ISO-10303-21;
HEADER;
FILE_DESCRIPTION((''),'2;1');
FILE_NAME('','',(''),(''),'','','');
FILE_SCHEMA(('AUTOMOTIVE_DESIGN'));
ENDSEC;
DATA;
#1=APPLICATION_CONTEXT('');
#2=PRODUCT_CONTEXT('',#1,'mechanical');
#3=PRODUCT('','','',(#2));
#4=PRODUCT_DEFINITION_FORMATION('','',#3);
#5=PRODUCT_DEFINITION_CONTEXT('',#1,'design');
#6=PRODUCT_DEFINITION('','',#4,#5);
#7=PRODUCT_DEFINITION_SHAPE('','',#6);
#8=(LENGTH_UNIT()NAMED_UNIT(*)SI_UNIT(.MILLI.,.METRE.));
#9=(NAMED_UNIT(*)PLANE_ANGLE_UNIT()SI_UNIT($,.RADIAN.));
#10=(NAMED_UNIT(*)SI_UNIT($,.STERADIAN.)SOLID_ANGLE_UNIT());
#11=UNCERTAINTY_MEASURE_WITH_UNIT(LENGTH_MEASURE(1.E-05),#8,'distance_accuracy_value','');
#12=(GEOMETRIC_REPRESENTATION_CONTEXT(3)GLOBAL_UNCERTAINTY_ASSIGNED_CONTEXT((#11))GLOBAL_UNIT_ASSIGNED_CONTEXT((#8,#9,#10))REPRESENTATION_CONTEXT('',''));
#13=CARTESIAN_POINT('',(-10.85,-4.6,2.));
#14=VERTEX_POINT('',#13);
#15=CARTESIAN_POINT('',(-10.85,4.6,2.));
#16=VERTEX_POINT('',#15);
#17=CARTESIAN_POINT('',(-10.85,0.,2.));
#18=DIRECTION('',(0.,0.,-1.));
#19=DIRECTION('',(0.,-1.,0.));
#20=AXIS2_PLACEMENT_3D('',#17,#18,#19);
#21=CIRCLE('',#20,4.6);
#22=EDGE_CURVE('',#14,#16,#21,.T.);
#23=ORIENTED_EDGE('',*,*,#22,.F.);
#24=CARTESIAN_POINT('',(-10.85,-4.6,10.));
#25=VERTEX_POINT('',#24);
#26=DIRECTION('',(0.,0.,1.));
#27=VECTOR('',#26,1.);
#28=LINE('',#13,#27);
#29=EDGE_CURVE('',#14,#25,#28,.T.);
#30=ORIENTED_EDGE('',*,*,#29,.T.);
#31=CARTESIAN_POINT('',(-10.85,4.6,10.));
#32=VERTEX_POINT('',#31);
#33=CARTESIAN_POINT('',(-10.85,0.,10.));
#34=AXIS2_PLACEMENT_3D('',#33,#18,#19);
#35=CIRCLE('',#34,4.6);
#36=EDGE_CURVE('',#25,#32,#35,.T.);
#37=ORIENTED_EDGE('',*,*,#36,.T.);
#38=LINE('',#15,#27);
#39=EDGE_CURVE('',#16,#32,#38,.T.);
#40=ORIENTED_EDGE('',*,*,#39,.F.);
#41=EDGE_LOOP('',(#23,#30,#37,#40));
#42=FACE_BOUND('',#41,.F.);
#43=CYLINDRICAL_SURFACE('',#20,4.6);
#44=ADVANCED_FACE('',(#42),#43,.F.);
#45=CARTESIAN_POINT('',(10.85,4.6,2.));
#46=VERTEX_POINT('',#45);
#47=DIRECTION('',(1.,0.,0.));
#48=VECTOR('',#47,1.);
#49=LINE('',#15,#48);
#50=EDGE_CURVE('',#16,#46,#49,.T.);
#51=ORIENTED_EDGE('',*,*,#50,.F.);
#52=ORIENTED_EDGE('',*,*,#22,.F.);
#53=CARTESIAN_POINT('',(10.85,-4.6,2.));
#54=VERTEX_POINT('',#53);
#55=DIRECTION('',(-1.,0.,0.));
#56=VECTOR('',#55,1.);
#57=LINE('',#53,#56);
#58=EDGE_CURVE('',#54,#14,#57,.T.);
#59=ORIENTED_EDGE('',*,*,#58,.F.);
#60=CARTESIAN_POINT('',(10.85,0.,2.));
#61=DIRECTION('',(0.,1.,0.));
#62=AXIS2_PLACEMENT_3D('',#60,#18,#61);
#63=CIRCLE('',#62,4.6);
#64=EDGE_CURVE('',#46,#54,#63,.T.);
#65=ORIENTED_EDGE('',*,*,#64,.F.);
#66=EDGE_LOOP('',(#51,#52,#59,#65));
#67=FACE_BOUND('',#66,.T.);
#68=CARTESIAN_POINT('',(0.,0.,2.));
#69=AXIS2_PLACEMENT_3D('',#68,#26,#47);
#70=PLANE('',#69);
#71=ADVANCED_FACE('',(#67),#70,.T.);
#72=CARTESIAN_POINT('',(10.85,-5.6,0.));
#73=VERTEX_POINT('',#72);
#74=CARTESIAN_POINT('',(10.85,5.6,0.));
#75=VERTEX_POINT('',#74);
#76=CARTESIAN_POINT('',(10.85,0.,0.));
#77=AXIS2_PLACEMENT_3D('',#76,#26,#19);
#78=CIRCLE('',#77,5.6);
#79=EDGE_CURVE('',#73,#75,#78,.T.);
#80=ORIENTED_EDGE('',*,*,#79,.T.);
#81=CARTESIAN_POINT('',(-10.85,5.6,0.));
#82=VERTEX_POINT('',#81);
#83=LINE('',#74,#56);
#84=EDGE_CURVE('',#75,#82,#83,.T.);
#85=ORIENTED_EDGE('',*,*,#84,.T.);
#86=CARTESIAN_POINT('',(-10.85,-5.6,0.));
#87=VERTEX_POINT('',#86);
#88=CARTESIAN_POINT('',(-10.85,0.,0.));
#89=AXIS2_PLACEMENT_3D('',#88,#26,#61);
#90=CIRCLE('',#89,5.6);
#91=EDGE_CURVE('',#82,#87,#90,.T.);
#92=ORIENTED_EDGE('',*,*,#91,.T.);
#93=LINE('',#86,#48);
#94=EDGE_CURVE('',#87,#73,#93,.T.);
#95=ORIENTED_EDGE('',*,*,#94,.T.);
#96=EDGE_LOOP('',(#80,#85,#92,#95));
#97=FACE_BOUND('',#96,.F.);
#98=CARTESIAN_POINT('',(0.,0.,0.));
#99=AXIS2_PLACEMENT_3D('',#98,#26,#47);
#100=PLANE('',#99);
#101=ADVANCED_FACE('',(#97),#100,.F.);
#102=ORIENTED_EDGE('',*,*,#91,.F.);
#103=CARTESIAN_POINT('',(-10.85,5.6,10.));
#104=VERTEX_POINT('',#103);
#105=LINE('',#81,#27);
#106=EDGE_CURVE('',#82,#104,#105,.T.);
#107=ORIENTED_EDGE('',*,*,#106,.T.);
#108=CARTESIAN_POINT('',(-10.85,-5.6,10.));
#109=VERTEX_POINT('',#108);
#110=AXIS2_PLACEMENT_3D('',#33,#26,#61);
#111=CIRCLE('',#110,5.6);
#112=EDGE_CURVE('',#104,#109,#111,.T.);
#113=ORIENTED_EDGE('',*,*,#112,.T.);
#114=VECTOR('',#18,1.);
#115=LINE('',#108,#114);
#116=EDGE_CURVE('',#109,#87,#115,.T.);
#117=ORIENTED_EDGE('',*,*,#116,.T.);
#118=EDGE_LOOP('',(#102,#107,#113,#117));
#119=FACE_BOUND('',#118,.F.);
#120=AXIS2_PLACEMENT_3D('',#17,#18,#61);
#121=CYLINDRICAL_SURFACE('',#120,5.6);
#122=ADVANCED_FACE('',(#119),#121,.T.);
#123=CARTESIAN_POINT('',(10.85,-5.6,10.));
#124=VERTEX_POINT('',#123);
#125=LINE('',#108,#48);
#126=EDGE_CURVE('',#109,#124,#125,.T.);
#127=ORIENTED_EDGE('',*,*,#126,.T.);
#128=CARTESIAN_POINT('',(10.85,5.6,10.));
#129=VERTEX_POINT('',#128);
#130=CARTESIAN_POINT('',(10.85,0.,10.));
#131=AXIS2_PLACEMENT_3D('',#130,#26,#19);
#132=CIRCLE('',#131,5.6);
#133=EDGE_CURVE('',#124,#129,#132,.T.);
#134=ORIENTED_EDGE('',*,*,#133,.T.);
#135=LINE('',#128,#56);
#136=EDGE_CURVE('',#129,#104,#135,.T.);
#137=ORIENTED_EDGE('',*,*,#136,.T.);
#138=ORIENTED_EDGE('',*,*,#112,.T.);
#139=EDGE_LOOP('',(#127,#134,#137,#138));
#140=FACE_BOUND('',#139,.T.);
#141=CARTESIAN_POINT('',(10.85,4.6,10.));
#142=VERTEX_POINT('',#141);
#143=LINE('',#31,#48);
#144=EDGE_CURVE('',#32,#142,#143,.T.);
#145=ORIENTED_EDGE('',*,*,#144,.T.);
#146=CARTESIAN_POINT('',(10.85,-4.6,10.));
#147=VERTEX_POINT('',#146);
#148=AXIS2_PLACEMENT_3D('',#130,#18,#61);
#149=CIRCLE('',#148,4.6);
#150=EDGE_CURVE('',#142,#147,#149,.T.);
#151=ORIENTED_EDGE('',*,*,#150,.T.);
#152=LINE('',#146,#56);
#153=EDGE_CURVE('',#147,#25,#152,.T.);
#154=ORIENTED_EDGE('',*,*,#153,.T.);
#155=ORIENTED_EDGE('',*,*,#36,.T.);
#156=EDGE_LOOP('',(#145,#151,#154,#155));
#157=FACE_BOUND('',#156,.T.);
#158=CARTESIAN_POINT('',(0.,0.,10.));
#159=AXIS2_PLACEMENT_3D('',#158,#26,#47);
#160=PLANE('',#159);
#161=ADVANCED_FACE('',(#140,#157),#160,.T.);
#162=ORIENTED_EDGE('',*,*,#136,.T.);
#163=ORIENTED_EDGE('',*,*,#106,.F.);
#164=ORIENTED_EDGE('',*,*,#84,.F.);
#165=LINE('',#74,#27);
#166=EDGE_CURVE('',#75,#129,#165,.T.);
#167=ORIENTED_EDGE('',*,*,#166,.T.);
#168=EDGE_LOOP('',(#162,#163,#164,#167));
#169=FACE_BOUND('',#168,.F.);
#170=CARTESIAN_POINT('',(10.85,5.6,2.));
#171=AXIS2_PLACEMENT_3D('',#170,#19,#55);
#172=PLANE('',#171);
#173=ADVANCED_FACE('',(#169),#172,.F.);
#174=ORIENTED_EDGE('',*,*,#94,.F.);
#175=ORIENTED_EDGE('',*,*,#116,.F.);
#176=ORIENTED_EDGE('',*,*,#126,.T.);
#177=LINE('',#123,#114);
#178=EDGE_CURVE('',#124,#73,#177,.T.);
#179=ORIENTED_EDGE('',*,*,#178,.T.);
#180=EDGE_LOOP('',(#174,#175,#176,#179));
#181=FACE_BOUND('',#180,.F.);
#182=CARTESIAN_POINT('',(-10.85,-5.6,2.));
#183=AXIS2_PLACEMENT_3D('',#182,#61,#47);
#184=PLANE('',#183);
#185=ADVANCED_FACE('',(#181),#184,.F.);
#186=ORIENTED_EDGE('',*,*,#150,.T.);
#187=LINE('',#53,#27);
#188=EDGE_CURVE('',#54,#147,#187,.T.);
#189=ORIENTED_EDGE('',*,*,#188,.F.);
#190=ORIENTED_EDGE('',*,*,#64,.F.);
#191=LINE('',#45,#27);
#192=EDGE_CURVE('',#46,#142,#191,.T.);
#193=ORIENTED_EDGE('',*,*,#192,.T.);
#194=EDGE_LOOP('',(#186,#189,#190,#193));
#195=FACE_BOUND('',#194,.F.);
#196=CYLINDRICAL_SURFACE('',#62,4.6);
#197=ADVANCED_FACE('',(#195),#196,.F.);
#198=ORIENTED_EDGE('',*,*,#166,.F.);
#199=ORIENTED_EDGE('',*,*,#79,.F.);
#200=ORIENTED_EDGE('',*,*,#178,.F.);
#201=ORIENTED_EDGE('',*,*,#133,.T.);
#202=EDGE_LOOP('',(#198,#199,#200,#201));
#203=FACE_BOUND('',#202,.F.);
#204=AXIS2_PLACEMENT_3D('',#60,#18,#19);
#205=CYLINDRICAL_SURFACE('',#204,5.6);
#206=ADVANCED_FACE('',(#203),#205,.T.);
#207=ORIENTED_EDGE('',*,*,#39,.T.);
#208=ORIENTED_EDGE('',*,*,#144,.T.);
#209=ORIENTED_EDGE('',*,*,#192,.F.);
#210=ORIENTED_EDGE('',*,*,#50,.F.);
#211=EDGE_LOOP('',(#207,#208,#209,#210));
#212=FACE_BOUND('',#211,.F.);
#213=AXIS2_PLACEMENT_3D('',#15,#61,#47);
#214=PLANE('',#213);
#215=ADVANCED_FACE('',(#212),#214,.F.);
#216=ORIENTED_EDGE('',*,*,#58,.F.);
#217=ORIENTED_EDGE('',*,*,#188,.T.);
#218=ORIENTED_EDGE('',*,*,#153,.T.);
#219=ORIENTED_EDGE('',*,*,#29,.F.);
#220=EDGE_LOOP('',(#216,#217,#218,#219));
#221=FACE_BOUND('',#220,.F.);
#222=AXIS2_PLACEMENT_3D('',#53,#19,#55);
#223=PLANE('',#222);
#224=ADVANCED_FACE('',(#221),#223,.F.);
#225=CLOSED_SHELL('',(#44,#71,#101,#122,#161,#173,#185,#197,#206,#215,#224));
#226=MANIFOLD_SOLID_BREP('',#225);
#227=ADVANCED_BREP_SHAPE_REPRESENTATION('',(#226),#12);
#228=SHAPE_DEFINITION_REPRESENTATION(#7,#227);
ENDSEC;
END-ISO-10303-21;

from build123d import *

# Parameters (mm, degrees)
F1_DEPTH = 2
F3_DEPTH = 8


with BuildPart() as f1:
    # F0 (on Top) → F1 (new body)
    with BuildSketch(Plane.XY):
        with BuildLine():
            Line((10.85, 5.6), (-10.85, 5.6))
            ThreePointArc((-10.85, 5.6), (-16.45, 0), (-10.85, -5.6))
            Line((-10.85, -5.6), (10.85, -5.6))
            ThreePointArc((10.85, -5.6), (16.45, 0), (10.85, 5.6))
        make_face()
    extrude(amount=F1_DEPTH)

    # F2 (on face) → F3 (join)
    with BuildSketch(Plane.XY.offset(2)):
        with BuildLine():
            ThreePointArc((10.85, -5.6), (16.45, 0), (10.85, 5.6))
            Line((10.85, 5.6), (-10.85, 5.6))
            ThreePointArc((-10.85, 5.6), (-16.45, 0), (-10.85, -5.6))
            Line((-10.85, -5.6), (10.85, -5.6))
        make_face()
        with BuildLine():
            ThreePointArc((-10.85, -4.6), (-15.45, 0), (-10.85, 4.6))
            Line((-10.85, 4.6), (10.85, 4.6))
            ThreePointArc((10.85, 4.6), (15.45, 0), (10.85, -4.6))
            Line((10.85, -4.6), (-10.85, -4.6))
        make_face(mode=Mode.SUBTRACT)
    extrude(amount=F3_DEPTH)


solid = f1.part
